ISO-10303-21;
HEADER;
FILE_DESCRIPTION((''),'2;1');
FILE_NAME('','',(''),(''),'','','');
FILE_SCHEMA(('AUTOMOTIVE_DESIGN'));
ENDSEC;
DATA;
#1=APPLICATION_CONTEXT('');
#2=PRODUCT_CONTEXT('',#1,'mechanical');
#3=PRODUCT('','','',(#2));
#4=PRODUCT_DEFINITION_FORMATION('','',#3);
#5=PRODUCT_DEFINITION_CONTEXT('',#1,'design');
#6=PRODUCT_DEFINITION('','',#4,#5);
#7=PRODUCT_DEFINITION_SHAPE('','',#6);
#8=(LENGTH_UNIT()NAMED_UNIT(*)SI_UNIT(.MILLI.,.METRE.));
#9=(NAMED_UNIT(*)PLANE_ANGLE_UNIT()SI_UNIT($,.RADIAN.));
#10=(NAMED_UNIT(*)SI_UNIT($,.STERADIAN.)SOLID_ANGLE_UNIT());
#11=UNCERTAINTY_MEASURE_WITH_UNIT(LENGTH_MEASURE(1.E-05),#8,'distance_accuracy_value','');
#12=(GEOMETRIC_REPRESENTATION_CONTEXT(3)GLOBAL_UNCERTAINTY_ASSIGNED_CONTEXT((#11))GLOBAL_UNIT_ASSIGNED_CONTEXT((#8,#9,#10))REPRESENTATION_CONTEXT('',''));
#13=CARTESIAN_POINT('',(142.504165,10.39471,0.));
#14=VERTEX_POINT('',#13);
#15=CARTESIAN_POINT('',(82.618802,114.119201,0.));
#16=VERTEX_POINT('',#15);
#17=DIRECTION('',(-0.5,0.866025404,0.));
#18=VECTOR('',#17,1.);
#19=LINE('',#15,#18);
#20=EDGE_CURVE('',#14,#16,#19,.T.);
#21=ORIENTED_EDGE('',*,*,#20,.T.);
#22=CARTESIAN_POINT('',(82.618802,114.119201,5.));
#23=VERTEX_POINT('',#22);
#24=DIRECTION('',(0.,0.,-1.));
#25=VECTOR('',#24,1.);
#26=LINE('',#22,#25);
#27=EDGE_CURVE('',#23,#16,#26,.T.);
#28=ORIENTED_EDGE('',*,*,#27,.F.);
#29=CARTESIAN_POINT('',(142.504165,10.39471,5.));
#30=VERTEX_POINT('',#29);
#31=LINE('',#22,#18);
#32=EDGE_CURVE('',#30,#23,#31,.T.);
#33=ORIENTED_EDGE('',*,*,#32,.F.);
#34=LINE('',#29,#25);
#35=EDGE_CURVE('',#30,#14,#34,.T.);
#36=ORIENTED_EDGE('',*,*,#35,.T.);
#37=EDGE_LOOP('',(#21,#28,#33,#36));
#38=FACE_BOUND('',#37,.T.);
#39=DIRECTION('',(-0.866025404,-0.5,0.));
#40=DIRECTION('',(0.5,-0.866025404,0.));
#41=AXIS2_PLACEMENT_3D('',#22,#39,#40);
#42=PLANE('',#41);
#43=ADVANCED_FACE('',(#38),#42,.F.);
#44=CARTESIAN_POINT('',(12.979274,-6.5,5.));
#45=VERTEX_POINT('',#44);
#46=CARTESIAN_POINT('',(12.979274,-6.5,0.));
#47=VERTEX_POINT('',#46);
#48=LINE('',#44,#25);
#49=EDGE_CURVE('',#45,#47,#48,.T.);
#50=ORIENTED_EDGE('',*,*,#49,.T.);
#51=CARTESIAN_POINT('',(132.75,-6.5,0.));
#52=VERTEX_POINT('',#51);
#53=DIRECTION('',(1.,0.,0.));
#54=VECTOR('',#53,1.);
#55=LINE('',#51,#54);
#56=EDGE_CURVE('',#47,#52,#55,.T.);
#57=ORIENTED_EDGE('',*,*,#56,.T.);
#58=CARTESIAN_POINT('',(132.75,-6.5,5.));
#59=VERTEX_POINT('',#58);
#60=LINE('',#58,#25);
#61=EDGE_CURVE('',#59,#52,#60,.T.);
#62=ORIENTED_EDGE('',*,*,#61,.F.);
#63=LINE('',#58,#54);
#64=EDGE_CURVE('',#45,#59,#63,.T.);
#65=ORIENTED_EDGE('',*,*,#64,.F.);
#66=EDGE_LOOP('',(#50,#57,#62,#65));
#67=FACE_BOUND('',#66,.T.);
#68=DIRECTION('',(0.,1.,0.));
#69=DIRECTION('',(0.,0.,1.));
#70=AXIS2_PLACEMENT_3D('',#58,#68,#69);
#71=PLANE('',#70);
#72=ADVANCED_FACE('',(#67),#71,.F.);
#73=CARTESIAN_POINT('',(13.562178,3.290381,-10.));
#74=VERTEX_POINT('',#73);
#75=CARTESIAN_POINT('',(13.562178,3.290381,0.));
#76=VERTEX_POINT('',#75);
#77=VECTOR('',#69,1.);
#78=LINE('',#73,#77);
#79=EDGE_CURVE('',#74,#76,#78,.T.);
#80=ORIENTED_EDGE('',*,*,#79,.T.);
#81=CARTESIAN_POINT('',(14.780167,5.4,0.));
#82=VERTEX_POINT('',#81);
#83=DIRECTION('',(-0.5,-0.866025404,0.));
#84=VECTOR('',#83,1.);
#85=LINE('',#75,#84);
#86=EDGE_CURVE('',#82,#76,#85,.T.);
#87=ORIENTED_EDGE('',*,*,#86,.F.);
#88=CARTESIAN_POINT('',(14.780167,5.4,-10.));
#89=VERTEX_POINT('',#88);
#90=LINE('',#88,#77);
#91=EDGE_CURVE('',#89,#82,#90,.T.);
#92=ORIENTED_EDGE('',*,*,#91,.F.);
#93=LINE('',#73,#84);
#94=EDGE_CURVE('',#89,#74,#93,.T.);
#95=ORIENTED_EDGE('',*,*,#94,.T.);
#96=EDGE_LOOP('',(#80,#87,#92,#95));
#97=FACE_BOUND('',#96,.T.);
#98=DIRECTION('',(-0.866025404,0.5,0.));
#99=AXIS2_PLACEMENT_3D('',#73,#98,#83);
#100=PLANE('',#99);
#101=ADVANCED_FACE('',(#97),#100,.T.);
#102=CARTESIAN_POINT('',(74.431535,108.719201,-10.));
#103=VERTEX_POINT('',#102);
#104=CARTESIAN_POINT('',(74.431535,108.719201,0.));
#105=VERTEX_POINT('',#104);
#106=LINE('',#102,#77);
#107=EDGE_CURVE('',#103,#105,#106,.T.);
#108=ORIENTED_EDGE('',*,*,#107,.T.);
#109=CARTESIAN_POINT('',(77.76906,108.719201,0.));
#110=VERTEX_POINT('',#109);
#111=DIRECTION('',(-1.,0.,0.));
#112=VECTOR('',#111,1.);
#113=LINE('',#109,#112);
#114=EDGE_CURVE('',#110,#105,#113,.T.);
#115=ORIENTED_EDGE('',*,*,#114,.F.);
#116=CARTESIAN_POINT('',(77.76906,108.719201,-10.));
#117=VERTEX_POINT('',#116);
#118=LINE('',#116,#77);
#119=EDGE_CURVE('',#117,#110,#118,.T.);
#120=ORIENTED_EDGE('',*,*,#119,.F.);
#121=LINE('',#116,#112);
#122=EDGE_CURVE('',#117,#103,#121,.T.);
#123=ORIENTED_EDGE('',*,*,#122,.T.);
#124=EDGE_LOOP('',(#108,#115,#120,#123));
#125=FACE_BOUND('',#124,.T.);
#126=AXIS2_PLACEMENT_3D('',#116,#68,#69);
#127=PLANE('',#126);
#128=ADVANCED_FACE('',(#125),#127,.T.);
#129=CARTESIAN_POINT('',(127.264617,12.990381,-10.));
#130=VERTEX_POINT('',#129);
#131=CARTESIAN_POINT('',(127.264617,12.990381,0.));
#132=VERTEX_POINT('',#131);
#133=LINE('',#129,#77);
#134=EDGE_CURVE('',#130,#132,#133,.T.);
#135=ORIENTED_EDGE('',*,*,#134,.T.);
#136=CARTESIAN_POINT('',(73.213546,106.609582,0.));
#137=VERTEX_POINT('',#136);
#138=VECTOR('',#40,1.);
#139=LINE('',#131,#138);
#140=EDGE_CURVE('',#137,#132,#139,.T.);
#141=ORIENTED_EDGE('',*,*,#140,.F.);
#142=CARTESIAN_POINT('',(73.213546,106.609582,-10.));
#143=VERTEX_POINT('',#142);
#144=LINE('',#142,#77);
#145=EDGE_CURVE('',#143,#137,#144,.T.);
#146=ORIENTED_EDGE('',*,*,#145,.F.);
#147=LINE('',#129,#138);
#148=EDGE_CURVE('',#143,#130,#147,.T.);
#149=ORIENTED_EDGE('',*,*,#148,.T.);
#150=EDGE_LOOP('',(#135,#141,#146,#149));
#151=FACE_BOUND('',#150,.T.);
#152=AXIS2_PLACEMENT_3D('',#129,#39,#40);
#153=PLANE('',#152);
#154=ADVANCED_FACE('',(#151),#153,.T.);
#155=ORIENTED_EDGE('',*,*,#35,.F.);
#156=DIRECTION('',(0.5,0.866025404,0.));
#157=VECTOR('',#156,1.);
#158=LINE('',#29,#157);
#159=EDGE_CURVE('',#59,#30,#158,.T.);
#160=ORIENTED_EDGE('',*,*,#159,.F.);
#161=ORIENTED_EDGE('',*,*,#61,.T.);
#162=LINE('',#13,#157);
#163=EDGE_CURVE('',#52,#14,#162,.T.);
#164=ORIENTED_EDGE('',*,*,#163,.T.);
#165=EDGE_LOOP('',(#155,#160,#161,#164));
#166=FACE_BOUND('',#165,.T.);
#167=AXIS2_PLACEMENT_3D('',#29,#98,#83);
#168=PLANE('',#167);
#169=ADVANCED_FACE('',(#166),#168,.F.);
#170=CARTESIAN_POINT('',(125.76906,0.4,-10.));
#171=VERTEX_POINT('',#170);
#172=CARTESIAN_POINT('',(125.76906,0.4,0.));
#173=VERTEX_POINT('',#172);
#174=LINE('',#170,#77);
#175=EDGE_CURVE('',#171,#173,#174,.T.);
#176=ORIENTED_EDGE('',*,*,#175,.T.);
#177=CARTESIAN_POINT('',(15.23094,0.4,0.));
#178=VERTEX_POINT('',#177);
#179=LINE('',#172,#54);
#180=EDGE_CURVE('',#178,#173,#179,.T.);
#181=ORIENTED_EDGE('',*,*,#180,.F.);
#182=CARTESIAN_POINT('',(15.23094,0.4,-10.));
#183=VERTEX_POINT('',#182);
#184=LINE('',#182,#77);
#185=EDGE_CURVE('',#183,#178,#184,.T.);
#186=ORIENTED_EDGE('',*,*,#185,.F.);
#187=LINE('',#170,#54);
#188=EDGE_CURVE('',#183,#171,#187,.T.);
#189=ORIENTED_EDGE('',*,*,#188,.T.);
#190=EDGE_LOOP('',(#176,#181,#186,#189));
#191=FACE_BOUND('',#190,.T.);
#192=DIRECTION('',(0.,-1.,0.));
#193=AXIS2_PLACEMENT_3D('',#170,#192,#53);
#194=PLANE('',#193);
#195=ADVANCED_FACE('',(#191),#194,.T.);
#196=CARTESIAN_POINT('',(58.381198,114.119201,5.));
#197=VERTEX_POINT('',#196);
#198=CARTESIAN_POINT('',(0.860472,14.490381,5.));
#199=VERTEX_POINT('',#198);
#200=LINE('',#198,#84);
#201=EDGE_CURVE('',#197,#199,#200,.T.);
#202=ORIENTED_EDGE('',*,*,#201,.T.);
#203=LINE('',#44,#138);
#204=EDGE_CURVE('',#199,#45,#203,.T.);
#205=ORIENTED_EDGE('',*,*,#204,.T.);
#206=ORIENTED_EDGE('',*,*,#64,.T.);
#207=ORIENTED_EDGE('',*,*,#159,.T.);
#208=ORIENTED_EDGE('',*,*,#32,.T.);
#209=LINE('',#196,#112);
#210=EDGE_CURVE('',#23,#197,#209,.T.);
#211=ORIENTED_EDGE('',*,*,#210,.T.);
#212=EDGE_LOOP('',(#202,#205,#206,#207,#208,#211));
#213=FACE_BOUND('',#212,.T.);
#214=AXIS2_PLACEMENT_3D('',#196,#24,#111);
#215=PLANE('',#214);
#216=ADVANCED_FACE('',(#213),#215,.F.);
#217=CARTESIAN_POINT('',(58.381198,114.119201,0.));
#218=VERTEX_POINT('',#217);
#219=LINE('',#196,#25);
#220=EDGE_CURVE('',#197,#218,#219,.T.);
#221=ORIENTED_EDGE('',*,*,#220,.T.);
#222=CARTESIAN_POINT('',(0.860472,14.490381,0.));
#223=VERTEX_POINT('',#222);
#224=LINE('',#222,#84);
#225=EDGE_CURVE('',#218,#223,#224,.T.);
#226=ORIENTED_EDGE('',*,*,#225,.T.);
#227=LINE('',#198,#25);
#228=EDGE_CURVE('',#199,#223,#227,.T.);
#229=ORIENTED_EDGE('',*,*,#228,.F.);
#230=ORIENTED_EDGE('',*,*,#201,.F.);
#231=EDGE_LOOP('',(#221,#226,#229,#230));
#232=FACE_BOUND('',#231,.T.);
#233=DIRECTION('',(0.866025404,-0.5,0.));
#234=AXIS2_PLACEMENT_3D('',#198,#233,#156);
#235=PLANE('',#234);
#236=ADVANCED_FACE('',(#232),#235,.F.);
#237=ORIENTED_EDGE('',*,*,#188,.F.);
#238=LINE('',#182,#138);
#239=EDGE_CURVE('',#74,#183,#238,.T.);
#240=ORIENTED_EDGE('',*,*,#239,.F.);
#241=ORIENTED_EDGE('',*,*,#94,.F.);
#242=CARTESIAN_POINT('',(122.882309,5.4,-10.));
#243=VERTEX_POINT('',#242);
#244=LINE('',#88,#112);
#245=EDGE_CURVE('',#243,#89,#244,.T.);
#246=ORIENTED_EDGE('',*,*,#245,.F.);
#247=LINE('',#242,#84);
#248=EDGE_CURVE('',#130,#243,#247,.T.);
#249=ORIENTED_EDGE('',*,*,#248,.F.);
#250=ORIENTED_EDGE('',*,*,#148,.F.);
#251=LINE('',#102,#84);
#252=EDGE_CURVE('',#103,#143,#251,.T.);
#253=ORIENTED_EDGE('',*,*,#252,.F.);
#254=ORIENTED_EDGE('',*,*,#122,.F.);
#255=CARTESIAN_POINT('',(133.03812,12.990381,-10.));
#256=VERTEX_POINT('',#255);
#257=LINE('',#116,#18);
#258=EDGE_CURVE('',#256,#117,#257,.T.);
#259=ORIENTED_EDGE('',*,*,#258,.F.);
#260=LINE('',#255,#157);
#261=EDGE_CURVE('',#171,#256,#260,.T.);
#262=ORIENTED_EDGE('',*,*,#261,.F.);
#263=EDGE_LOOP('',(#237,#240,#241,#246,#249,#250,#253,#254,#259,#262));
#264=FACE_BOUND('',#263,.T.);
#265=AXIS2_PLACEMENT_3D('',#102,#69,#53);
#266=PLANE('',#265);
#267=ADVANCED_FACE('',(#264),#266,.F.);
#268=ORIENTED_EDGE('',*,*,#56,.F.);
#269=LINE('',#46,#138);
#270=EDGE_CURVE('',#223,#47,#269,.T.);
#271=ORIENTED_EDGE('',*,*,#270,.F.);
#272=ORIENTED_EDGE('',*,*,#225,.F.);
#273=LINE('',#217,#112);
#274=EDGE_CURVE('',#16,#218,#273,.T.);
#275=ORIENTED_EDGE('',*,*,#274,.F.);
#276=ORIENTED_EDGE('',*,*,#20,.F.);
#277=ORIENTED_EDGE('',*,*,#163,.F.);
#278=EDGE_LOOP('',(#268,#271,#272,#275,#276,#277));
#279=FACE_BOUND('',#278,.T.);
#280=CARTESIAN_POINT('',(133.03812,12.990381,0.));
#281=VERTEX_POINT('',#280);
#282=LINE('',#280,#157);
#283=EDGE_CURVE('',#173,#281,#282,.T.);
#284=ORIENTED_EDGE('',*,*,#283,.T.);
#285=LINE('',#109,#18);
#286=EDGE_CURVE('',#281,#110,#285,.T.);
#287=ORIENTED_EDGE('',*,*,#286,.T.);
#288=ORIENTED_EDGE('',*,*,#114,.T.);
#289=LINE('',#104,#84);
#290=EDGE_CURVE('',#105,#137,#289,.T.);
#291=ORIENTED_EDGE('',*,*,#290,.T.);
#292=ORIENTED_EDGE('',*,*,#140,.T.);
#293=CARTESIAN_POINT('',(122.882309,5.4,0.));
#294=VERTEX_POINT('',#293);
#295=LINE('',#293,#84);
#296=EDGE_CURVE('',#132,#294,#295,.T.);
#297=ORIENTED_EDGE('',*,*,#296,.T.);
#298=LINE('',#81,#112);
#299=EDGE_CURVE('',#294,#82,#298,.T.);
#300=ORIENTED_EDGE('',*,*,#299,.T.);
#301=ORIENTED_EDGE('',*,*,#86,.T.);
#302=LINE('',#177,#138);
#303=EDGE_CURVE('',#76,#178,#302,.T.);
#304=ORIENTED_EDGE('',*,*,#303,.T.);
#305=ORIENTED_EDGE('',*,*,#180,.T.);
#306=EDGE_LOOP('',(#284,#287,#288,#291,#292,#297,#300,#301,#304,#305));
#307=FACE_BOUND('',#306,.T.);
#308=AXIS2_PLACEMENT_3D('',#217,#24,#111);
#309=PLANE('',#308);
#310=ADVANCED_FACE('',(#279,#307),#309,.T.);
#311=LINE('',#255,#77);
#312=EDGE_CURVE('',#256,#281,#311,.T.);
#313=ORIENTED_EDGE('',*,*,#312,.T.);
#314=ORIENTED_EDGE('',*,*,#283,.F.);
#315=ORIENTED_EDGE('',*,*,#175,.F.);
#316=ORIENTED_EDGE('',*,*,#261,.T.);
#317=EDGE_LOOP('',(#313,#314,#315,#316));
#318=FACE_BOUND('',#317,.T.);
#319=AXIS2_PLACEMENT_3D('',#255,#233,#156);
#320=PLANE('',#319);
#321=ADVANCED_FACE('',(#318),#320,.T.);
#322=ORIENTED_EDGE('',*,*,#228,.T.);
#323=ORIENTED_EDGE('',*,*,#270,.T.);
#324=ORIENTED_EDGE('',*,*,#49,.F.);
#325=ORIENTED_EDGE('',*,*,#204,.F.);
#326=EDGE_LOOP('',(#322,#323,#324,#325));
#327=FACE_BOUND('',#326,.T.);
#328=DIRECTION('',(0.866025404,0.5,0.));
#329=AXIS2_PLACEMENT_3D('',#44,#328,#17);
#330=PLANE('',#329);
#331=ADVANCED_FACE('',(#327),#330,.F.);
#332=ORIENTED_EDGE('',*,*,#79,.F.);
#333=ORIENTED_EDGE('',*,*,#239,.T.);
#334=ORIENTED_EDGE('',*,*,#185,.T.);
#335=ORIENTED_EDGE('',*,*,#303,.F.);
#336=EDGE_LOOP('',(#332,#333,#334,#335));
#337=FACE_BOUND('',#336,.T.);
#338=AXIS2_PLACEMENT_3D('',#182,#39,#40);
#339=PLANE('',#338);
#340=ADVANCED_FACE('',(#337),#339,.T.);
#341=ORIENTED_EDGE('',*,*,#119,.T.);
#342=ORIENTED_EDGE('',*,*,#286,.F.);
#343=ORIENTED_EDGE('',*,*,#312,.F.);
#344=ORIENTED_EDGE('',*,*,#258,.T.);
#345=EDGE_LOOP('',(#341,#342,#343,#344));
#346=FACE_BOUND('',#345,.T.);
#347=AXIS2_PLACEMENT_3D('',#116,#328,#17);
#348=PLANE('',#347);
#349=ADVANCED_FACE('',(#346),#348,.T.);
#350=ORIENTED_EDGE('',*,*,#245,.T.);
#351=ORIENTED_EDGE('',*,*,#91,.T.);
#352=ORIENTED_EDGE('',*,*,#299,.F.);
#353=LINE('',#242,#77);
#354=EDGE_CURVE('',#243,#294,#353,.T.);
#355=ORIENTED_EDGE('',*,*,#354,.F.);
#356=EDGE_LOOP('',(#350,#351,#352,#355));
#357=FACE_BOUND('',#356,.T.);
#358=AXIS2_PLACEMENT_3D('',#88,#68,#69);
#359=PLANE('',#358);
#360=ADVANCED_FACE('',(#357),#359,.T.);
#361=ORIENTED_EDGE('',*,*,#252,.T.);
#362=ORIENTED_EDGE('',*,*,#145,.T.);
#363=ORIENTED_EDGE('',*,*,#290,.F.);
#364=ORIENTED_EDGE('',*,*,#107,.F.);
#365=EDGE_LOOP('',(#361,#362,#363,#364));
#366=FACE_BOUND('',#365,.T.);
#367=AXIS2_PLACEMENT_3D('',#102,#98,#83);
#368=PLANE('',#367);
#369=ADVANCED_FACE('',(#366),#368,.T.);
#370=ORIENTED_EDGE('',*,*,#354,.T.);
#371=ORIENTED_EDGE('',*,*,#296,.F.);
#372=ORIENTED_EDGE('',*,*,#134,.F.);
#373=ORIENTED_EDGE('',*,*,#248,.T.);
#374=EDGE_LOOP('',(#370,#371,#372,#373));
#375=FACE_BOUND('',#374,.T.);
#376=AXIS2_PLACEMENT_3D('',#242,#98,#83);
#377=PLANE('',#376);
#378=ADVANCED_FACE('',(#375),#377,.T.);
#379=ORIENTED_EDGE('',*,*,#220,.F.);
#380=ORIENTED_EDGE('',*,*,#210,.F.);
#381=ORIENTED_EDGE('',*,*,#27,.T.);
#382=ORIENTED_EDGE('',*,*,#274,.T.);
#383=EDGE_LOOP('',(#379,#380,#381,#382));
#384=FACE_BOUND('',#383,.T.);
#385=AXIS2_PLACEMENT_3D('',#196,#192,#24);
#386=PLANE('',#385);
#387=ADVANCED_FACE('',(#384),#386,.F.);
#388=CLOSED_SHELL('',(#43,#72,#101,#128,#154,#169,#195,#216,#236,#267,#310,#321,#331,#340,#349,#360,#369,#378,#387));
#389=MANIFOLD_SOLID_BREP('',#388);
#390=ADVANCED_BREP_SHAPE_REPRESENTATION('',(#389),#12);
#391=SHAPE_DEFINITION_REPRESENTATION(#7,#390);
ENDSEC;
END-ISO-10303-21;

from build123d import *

# Parameters (mm, degrees)
BOSS_EXTRUDE1_DEPTH = 10
BOSS_EXTRUDE2_DEPTH = 5


with BuildPart() as part:
    # Sketch2 → Boss-Extrude1 (new body)
    with BuildSketch(Plane.XY):
        Polygon((77.769059892, 108.719200877), (133.038119785, 12.990381057), (125.769059892, 0.4), (15.230940108, 0.4), (13.562177826, 3.290381057), (14.780166891, 5.4), (122.882308546, 5.4), (127.264617093, 12.990381057), (73.213546265, 106.609581934), (74.43153533, 108.719200877), align=None)
    extrude(amount=-BOSS_EXTRUDE1_DEPTH)

    # Sketch3 → Boss-Extrude2 (add)
    with BuildSketch(Plane.XY):
        Polygon((58.381197846, 114.119200877), (82.618802154, 114.119200877), (142.504165125, 10.394709581), (132.75, -6.5), (12.979274058, -6.5), (0.860471904, 14.490381057), align=None)
    extrude(amount=BOSS_EXTRUDE2_DEPTH)


solid = part.part
